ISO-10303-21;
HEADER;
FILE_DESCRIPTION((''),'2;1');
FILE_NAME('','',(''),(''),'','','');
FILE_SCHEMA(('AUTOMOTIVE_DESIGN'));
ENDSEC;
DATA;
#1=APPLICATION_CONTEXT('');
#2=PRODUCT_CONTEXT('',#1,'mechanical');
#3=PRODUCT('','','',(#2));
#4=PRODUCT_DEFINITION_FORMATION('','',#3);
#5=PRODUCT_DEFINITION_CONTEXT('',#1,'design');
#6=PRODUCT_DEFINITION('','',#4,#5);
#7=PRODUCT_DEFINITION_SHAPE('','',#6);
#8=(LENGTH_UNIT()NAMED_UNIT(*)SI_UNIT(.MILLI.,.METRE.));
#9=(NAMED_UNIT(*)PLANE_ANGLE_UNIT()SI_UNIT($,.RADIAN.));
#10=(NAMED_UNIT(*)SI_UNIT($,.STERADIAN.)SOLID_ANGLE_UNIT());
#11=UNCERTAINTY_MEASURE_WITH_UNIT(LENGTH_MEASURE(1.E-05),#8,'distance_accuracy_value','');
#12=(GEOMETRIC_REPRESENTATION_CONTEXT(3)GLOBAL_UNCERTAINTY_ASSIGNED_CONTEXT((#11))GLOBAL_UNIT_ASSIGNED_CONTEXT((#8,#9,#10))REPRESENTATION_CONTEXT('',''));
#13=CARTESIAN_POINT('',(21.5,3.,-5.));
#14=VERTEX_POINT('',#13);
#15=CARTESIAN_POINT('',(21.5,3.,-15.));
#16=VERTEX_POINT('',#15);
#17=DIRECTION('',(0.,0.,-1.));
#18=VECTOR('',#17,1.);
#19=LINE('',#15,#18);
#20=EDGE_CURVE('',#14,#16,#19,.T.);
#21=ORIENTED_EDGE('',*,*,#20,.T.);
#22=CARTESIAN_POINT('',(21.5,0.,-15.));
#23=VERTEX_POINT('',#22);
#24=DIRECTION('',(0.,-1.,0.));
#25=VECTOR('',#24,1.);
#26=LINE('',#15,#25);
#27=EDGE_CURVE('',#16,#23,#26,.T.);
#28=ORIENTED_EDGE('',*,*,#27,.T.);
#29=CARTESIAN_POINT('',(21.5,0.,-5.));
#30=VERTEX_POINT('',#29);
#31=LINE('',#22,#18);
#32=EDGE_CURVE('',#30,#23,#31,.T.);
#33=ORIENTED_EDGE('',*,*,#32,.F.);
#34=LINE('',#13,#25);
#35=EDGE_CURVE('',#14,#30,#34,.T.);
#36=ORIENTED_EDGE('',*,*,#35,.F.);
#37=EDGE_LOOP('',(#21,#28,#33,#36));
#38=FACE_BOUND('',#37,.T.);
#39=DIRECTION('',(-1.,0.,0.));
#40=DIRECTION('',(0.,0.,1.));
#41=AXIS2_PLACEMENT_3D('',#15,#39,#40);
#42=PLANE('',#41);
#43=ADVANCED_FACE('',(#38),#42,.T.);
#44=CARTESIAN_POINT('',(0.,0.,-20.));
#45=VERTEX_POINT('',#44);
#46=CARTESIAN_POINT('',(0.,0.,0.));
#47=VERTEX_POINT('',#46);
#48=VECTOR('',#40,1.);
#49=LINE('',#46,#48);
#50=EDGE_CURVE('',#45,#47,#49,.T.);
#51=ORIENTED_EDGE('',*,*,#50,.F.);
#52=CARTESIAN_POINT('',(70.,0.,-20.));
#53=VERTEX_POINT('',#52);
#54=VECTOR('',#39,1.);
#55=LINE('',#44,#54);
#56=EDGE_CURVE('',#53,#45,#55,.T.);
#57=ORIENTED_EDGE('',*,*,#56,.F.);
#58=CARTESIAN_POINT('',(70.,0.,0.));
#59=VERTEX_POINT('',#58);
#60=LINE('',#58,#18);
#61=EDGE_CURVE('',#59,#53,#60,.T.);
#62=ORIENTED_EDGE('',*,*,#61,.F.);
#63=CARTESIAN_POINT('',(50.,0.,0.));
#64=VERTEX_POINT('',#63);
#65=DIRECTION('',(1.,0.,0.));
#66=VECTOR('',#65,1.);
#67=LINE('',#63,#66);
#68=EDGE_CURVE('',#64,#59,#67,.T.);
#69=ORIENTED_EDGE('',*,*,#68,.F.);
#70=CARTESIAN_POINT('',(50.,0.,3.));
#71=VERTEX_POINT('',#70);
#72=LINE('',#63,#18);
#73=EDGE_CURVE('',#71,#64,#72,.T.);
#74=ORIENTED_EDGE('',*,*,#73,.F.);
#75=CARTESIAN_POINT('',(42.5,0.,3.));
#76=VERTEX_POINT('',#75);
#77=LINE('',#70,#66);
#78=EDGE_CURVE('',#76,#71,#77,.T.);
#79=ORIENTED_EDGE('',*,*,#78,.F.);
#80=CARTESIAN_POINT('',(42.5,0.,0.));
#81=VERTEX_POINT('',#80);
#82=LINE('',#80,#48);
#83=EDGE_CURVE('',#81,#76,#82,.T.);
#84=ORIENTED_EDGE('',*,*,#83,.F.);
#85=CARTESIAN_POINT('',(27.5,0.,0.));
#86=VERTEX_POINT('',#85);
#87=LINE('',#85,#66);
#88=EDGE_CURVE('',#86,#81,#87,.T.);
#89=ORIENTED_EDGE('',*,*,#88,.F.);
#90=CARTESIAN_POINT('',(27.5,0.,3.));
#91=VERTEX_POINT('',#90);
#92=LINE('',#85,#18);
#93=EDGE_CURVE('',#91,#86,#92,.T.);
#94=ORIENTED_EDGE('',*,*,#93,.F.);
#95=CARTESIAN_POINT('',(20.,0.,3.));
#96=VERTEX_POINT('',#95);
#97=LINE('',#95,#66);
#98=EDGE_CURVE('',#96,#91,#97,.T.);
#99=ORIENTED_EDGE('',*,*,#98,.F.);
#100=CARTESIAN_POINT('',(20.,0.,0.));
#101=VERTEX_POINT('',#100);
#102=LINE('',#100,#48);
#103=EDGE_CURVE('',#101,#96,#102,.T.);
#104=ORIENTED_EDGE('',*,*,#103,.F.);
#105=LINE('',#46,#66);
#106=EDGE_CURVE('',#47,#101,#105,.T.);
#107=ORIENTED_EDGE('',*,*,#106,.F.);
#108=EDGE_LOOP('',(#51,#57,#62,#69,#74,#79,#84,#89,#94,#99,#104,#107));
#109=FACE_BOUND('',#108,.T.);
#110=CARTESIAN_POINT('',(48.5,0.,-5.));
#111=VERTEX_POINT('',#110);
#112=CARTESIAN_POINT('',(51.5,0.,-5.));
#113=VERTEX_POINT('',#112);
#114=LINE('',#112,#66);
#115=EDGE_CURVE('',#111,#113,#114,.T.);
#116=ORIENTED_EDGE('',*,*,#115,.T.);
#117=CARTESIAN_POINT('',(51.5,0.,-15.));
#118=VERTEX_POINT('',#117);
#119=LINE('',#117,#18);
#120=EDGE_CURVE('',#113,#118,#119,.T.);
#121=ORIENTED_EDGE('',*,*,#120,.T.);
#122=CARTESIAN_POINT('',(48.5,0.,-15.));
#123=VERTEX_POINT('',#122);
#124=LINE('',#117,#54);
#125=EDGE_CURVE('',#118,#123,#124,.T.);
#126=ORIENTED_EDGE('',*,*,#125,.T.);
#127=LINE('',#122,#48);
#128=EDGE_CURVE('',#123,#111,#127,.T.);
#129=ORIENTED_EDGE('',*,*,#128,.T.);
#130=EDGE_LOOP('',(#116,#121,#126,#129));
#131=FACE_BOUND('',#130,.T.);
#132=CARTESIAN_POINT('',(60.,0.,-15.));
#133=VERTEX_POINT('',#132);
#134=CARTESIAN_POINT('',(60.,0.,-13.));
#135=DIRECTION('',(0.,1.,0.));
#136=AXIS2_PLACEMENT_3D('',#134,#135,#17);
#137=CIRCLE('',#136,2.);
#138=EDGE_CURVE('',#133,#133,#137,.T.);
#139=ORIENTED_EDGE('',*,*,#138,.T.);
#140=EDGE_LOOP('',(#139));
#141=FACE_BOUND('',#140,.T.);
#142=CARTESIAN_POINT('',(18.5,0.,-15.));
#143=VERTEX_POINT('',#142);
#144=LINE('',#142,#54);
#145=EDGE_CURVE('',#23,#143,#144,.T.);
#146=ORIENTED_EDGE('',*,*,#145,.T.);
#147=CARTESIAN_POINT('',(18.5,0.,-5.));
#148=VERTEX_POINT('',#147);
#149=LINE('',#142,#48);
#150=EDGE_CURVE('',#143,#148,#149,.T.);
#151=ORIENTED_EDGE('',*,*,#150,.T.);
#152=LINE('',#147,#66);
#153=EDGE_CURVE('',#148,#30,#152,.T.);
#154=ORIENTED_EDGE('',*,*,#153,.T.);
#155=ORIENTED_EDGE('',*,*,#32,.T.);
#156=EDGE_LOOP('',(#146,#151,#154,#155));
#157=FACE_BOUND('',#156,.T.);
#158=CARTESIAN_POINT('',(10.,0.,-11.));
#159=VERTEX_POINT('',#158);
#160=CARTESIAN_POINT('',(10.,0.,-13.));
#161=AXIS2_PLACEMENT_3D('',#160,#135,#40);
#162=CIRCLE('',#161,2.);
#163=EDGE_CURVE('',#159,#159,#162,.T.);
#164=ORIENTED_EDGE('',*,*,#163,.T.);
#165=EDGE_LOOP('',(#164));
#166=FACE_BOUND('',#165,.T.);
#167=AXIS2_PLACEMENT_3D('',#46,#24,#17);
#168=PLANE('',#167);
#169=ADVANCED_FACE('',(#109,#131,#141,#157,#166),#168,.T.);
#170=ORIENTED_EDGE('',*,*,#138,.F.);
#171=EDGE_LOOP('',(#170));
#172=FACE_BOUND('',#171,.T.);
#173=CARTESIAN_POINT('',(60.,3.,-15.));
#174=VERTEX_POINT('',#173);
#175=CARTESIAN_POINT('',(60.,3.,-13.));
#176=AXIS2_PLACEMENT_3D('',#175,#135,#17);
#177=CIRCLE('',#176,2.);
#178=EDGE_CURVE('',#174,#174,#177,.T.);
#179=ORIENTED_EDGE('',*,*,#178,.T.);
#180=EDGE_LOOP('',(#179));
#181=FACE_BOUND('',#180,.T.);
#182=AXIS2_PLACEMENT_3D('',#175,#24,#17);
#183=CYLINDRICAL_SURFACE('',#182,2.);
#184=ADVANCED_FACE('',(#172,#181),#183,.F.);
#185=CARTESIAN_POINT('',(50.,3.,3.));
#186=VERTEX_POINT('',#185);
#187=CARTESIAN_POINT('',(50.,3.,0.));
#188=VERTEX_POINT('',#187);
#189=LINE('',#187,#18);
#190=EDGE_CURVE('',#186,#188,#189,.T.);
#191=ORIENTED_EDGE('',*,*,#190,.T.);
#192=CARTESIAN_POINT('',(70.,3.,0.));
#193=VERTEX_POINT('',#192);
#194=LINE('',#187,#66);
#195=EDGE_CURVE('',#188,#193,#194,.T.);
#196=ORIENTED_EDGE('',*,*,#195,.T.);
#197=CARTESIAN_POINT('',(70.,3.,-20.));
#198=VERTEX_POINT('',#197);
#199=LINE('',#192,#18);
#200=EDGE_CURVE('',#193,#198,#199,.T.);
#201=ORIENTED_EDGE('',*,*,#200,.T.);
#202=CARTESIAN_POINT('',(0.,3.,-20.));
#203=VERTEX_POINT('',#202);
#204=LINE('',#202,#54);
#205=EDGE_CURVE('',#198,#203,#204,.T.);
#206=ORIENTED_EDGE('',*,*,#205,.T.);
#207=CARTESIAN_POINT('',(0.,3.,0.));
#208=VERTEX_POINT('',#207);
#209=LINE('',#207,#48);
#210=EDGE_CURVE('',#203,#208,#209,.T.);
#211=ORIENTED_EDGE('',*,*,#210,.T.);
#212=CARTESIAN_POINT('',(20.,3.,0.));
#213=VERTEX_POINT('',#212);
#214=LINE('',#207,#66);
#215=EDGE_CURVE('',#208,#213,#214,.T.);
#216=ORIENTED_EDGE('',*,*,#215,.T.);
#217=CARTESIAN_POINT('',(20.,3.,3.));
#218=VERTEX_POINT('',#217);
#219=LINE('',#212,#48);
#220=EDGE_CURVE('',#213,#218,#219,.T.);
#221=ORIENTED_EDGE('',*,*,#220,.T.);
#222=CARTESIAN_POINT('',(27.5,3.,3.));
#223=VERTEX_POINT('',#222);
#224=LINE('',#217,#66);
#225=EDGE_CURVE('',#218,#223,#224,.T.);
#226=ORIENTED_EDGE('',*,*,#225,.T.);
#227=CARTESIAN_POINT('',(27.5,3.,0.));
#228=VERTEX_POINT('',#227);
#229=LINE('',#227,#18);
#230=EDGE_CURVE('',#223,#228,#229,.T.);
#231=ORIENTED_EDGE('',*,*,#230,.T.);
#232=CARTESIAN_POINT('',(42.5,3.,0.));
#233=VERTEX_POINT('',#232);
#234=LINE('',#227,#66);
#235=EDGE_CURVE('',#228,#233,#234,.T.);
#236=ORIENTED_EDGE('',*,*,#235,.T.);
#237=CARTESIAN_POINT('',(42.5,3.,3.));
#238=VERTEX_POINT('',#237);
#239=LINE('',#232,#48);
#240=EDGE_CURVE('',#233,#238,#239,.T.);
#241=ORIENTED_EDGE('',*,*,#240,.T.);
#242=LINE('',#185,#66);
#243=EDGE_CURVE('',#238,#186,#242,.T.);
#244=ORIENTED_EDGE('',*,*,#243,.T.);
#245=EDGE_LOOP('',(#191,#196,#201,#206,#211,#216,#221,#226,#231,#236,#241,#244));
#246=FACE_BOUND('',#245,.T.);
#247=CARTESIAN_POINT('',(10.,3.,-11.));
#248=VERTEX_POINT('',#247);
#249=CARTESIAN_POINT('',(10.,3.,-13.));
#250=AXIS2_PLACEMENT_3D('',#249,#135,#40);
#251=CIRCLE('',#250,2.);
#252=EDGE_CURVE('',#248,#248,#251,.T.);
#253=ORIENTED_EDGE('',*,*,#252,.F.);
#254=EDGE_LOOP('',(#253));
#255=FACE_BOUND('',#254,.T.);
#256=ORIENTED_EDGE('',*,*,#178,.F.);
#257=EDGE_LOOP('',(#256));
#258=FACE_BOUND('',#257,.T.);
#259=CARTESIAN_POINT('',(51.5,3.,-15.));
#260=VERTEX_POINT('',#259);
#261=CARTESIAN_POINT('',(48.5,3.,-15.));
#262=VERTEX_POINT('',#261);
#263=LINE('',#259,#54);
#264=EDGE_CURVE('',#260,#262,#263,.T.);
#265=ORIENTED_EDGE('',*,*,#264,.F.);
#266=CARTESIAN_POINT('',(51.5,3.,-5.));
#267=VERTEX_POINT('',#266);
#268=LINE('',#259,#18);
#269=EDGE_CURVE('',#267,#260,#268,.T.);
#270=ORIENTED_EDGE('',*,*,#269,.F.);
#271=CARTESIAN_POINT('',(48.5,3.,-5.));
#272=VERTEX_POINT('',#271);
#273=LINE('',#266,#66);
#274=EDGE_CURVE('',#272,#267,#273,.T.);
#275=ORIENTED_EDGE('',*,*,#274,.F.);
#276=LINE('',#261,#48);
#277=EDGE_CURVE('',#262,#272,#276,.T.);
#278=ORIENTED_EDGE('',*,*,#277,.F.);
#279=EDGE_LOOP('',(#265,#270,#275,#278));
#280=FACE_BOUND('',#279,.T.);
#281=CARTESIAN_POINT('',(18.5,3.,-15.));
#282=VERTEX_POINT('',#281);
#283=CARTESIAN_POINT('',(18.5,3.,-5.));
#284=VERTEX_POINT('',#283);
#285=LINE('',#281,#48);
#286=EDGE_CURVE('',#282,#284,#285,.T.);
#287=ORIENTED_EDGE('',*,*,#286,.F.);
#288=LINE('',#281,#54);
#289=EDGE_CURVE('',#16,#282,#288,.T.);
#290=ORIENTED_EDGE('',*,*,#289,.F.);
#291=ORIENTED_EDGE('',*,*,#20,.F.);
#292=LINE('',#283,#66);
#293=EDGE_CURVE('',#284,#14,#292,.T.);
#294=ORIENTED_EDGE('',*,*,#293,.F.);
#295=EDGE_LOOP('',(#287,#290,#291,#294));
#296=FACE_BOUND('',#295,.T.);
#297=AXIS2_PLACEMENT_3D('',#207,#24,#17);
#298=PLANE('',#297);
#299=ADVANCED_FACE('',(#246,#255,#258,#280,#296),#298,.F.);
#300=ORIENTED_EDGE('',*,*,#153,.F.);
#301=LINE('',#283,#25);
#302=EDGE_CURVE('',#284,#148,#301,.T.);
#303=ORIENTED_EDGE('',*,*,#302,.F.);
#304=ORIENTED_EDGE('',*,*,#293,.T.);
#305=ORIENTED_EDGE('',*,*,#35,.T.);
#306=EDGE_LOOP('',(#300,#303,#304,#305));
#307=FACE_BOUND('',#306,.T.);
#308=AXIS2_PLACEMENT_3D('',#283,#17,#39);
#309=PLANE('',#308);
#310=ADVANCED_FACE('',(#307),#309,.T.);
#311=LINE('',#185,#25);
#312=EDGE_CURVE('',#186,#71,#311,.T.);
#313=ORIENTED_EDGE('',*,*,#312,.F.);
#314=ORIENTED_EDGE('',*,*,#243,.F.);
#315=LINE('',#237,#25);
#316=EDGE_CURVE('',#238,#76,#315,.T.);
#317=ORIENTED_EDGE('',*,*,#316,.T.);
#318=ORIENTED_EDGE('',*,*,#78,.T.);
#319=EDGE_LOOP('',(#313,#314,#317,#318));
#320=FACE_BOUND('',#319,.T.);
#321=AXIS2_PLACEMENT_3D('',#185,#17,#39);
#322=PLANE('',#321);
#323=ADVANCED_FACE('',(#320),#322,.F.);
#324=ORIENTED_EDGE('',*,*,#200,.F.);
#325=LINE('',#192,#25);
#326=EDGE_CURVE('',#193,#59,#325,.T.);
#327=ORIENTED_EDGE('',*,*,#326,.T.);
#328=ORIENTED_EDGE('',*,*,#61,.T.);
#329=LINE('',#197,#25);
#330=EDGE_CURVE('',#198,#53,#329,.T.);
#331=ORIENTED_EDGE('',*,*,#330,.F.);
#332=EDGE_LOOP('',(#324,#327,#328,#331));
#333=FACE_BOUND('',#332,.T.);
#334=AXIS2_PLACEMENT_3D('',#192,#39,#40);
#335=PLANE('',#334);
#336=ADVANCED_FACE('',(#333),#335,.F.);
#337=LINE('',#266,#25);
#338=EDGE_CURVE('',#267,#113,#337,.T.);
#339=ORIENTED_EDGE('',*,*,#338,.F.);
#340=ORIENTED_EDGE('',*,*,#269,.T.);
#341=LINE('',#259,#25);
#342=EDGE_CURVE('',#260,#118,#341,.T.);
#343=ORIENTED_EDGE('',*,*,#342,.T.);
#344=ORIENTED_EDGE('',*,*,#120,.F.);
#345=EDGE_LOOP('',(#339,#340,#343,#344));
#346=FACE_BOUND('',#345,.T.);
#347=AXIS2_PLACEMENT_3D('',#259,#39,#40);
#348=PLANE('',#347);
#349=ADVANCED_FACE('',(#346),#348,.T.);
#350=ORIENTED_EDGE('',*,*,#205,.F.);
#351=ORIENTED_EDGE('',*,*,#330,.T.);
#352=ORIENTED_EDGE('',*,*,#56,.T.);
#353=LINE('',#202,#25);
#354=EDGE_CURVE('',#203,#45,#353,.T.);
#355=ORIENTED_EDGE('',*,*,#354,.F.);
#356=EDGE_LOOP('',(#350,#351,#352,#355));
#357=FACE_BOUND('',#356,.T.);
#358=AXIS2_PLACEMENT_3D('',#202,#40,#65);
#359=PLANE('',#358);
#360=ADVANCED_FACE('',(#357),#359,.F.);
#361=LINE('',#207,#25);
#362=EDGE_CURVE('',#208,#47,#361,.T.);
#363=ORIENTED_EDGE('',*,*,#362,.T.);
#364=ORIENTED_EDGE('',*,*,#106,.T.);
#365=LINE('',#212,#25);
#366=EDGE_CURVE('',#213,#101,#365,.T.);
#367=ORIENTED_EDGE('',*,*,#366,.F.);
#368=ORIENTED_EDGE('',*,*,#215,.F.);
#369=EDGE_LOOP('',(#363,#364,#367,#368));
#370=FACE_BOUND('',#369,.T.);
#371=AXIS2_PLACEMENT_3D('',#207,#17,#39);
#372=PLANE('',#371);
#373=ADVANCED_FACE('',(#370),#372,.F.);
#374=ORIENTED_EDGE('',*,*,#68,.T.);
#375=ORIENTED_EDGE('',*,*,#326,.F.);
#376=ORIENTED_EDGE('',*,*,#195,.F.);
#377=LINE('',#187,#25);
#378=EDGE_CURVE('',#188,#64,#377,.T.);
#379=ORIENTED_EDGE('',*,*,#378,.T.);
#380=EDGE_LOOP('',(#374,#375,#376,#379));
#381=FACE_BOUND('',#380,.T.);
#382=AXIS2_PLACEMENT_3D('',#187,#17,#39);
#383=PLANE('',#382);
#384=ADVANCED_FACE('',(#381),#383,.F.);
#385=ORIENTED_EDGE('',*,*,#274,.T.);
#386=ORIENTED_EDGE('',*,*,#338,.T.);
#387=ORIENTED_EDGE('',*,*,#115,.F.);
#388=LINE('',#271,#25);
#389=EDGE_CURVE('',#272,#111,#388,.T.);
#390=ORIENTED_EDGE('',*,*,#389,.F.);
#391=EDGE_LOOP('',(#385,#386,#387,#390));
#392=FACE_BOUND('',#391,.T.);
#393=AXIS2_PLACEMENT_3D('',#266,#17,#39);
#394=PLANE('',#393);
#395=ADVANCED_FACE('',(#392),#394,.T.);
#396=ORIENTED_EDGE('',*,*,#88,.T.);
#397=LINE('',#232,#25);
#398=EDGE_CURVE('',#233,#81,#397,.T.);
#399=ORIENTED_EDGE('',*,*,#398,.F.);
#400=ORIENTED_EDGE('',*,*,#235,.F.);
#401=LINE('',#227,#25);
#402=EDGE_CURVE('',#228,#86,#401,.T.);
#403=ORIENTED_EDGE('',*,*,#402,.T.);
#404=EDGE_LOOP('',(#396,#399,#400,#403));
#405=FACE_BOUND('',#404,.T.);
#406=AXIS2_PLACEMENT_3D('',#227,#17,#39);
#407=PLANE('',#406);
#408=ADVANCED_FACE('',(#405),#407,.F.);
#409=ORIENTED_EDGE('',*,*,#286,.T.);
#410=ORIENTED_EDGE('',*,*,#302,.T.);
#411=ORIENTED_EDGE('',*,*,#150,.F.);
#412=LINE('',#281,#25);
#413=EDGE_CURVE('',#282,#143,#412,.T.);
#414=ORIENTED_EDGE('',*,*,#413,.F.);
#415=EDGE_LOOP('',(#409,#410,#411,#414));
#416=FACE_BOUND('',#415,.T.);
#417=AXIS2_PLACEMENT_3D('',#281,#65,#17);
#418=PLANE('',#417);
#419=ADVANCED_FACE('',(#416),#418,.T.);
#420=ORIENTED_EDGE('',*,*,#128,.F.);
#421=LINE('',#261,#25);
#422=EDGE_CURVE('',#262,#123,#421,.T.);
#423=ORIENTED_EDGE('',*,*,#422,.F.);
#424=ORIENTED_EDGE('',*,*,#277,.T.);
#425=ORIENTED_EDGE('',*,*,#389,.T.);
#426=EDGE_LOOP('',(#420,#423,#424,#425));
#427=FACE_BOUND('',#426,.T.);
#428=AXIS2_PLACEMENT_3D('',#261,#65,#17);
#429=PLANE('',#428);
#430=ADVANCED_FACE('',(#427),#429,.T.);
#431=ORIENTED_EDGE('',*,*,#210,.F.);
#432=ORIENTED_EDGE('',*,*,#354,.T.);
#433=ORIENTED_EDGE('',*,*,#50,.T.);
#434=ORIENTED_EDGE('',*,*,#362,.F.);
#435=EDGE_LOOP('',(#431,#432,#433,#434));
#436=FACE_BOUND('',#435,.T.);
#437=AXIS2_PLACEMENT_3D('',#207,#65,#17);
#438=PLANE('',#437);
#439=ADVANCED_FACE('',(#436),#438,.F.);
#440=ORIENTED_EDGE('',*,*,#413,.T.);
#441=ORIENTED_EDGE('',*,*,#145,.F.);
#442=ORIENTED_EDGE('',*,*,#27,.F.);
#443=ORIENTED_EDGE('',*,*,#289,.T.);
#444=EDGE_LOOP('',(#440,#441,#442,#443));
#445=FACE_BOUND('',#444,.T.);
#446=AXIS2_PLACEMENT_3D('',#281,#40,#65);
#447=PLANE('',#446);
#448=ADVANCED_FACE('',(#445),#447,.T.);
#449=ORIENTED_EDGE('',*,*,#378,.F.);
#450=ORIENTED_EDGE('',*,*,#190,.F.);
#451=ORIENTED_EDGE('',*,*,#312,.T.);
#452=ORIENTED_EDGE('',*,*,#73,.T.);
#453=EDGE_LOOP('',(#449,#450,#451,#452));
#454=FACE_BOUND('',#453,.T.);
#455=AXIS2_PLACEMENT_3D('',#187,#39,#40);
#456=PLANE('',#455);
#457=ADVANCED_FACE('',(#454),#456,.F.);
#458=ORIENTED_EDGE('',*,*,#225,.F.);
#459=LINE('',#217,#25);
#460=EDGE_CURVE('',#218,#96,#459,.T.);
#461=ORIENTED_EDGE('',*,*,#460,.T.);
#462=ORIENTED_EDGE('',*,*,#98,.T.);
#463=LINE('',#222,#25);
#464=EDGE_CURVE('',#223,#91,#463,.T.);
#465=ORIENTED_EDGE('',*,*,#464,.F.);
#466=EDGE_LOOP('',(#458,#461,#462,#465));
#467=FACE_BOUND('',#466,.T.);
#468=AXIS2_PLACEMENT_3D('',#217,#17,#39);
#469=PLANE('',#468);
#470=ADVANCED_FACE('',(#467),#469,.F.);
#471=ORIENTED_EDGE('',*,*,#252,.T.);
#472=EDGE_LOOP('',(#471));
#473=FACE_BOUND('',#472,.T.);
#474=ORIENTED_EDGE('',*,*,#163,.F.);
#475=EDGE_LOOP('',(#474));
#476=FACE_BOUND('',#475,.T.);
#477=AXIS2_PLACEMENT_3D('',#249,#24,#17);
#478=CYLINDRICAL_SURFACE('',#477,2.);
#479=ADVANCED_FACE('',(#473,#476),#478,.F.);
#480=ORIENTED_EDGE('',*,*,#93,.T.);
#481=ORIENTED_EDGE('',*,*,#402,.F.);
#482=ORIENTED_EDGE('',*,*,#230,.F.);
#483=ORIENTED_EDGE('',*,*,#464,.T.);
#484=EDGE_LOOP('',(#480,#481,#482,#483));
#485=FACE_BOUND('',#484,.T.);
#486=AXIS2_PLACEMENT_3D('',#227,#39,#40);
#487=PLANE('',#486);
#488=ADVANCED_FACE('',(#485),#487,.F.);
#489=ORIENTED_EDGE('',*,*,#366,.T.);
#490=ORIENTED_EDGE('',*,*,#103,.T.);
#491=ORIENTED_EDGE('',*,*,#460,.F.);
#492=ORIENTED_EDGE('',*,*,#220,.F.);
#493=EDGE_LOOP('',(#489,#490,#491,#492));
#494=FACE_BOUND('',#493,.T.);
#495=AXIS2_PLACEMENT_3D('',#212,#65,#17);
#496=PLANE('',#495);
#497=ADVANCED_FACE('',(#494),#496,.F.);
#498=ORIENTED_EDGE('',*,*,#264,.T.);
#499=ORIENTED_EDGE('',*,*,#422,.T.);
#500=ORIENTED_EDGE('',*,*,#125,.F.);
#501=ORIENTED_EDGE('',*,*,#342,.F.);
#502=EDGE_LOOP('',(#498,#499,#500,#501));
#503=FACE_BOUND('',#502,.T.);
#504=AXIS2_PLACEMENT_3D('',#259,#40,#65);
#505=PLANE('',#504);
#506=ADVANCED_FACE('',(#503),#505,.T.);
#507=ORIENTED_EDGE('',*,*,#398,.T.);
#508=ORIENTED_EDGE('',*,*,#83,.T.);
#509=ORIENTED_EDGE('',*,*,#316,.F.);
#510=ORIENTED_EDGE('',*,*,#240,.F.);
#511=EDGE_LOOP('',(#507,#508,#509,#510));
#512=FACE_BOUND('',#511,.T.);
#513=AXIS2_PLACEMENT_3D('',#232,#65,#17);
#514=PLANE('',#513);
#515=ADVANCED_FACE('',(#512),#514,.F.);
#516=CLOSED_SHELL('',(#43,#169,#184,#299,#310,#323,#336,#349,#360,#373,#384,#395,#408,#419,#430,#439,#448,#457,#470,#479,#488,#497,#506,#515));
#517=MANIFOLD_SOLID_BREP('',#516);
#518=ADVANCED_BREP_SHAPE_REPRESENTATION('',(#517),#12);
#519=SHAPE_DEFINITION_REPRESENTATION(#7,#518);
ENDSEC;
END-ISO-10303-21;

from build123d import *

# Parameters (mm, degrees)
SKETCH1_R           = 2
SKETCH1_W           = 3
SKETCH1_H           = 10
BOSS_EXTRUDE1_DEPTH = 3


with BuildPart() as part:
    # Sketch1 → Boss-Extrude1 (new body)
    with BuildSketch(Plane(origin=(0, 0, 0), x_dir=(1, 0, 0), z_dir=(0, 1, 0))):
        Polygon((0, 0), (20, 0), (20, -3), (27.5, -3), (27.5, 0), (42.5, 0), (42.5, -3), (50, -3), (50, 0), (70, 0), (70, 20), (0, 20), align=None)
        with Locations(Location((10, 13, 0), (0, 0, 270))):
            Circle(SKETCH1_R, mode=Mode.SUBTRACT)
        with Locations(Location((60, 13, 0), (0, 0, 90))):
            Circle(SKETCH1_R, mode=Mode.SUBTRACT)
        with Locations((20, 10)):
            Rectangle(SKETCH1_W, SKETCH1_H, mode=Mode.SUBTRACT)
        with Locations((50, 10)):
            Rectangle(SKETCH1_W, SKETCH1_H, mode=Mode.SUBTRACT)
    extrude(amount=BOSS_EXTRUDE1_DEPTH)


solid = part.part
